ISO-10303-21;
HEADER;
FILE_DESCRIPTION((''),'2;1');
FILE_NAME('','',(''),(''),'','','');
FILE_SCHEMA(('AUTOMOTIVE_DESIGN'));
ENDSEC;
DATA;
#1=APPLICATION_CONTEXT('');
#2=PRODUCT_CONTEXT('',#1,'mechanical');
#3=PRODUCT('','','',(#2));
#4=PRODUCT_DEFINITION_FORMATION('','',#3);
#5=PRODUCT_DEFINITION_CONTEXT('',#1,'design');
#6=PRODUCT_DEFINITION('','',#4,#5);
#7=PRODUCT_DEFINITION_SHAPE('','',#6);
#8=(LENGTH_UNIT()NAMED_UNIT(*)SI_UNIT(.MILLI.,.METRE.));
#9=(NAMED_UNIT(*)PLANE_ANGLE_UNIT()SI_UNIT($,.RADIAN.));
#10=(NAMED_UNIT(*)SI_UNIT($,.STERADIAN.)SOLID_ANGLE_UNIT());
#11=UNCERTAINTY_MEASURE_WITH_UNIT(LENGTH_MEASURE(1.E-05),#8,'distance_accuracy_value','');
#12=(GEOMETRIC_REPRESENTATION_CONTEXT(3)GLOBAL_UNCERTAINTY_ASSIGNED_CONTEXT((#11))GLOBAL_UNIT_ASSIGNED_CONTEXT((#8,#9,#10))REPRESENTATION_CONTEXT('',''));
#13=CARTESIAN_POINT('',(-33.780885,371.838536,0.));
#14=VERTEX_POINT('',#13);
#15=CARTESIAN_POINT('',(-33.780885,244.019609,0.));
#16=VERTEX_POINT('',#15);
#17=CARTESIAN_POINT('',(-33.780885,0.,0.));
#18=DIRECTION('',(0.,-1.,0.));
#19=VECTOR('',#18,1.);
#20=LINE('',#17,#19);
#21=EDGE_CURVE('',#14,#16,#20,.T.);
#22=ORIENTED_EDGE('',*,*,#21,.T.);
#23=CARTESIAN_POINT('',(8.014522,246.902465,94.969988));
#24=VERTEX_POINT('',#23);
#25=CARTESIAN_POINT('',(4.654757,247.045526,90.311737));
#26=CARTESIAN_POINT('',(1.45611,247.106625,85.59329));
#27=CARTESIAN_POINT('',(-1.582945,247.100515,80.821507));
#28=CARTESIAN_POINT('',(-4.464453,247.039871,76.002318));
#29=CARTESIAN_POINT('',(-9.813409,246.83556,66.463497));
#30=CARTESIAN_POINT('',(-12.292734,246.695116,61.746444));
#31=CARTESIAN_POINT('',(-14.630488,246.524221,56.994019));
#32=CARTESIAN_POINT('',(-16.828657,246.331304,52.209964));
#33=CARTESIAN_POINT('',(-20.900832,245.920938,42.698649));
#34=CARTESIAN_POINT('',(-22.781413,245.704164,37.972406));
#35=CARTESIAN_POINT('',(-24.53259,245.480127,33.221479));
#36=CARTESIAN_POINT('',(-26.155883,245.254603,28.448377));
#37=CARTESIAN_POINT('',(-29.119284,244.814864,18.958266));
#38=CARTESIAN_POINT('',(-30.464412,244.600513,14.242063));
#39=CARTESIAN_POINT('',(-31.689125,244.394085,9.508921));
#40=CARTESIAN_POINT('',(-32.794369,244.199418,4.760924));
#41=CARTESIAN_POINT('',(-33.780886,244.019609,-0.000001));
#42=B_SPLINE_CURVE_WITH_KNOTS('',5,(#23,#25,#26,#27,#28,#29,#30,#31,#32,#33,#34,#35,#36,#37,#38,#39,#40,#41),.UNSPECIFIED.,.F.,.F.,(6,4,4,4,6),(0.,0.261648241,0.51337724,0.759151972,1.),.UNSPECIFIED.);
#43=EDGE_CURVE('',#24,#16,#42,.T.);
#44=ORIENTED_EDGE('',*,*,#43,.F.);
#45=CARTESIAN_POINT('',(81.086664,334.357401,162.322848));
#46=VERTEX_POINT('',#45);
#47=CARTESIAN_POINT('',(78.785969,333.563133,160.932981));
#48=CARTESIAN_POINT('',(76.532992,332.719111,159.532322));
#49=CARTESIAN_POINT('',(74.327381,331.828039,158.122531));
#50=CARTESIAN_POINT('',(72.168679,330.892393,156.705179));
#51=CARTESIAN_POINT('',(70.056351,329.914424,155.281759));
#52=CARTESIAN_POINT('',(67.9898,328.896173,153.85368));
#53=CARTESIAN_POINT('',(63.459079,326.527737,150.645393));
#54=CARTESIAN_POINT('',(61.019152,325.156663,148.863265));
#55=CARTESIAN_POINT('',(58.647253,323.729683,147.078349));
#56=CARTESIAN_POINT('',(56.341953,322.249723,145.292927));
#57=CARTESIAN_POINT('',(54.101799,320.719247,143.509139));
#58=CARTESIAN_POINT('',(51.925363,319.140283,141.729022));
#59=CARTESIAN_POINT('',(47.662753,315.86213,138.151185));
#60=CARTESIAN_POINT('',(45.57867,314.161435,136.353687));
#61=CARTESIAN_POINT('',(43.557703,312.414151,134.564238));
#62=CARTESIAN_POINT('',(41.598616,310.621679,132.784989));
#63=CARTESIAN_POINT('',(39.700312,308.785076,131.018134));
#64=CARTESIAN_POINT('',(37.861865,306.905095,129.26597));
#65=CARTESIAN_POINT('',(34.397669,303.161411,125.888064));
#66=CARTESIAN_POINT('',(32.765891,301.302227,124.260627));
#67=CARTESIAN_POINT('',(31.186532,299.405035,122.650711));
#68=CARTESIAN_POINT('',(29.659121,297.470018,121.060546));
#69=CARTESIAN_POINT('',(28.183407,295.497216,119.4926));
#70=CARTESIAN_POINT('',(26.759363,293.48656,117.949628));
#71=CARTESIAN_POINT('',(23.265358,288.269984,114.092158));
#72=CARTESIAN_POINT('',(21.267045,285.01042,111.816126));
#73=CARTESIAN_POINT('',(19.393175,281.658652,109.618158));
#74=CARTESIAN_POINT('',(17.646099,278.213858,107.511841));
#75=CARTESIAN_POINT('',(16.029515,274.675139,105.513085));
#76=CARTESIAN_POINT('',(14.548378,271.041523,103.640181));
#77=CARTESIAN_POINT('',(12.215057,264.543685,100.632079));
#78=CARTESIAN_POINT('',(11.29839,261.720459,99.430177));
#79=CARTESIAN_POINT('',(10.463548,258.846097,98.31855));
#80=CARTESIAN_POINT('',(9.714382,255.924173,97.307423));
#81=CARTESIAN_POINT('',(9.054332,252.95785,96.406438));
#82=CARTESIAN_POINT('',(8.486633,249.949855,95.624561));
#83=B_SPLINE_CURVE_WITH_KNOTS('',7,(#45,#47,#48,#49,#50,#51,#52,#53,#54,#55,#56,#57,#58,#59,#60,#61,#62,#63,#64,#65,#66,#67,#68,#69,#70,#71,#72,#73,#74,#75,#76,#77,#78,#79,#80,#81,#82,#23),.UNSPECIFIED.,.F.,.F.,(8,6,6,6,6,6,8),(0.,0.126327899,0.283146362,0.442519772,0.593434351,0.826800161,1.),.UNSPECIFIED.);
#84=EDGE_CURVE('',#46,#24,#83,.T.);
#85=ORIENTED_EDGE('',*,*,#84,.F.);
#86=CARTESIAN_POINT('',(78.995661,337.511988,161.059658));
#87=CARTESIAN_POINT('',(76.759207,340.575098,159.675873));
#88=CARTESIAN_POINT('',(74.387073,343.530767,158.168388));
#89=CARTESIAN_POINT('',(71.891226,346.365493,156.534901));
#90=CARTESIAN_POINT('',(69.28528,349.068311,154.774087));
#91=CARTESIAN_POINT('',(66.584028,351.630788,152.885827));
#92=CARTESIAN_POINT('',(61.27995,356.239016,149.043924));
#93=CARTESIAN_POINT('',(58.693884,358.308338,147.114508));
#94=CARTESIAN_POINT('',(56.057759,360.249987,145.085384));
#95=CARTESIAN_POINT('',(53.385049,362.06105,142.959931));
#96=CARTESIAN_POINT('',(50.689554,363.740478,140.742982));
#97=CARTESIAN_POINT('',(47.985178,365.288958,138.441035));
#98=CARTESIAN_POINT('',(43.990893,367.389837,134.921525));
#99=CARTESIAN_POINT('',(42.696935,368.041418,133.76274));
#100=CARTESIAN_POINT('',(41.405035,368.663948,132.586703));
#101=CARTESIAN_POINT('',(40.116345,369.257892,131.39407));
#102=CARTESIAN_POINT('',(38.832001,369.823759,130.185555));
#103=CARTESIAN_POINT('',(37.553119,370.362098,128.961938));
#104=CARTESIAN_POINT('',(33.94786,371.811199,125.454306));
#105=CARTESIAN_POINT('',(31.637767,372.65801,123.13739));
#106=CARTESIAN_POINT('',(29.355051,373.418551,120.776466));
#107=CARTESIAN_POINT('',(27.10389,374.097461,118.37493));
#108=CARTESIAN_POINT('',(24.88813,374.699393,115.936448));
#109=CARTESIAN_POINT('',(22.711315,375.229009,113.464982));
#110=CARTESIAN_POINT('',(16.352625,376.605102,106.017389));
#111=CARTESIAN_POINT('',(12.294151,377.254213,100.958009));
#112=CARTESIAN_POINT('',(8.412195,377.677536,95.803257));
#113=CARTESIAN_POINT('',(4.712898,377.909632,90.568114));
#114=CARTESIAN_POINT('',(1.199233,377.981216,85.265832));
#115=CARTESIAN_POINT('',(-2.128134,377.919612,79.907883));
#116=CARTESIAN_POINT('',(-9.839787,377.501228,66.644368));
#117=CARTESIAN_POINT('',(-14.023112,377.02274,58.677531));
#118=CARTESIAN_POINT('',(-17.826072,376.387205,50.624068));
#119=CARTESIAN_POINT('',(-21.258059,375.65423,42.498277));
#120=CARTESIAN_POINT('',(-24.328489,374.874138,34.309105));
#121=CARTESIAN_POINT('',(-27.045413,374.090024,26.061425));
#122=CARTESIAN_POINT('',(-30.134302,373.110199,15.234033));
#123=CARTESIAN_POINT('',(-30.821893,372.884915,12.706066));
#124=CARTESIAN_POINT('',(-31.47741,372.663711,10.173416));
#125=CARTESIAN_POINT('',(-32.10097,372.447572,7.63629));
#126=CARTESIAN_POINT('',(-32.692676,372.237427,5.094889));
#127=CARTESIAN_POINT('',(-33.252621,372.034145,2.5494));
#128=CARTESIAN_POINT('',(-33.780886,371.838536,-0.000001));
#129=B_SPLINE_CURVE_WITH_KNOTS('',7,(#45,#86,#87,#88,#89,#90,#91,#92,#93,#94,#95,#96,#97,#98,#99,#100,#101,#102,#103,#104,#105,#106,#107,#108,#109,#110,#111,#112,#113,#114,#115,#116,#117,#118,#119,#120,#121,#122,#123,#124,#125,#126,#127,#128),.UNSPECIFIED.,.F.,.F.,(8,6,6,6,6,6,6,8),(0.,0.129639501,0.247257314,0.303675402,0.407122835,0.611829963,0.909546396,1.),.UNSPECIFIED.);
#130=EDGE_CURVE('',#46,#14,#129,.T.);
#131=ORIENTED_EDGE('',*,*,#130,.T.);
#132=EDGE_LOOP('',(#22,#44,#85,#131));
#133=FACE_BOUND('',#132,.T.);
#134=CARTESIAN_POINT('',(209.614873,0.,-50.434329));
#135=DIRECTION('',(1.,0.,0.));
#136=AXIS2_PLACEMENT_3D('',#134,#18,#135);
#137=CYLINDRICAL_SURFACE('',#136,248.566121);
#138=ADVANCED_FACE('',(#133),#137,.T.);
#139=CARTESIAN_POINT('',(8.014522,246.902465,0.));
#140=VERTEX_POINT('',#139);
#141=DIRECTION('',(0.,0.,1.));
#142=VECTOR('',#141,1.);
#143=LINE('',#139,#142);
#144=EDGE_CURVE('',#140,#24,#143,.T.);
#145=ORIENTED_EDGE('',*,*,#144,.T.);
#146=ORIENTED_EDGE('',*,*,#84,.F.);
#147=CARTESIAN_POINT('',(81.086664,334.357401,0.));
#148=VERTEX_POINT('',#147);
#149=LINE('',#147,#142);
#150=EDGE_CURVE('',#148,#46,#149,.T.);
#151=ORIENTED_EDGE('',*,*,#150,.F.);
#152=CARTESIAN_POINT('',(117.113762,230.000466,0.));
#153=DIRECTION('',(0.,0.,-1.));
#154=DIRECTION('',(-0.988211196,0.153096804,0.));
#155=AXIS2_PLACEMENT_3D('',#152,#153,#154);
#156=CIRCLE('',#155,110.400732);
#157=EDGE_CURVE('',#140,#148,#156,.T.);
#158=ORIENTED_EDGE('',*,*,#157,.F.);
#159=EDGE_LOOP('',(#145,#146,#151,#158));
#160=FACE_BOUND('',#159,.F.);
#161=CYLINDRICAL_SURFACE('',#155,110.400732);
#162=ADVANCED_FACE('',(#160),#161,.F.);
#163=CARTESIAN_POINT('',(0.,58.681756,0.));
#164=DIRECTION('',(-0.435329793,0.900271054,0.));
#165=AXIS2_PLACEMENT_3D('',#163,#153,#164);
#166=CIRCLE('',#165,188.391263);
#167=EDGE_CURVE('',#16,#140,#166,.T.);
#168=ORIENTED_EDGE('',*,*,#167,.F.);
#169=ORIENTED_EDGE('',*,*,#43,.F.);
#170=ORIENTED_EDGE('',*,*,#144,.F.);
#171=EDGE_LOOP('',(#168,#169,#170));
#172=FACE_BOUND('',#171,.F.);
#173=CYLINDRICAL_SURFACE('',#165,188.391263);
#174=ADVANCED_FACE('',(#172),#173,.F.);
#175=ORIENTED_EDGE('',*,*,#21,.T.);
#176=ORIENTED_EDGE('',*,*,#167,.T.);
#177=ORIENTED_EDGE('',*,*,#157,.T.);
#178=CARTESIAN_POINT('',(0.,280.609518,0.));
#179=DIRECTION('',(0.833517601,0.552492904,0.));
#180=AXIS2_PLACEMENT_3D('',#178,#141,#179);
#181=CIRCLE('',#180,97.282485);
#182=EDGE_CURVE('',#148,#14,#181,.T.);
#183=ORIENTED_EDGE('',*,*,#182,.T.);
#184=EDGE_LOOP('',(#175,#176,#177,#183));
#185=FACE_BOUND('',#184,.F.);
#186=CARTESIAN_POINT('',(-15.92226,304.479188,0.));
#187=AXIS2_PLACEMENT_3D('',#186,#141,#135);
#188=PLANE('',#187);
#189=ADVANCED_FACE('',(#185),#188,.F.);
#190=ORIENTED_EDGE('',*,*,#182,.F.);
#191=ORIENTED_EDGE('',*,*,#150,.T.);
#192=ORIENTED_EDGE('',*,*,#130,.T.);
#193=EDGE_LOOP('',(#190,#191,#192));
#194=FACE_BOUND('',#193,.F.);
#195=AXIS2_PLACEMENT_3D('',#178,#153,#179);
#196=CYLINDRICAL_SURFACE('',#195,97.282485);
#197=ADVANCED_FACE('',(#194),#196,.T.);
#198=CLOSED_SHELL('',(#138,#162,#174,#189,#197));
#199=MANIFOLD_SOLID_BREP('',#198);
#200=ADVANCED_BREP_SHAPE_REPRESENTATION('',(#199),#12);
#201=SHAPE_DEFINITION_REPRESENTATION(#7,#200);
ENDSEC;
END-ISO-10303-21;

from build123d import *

# Parameters (mm, degrees)
F1_DEPTH = 168.3612558991
F2_R     = 248.5661214156
F3_DEPTH = 465.3762876987


with BuildPart() as f1:
    # F0 (on Top) → F1 (new body)
    with BuildSketch(Plane.XY):
        with BuildLine():
            ThreePointArc((8.0145221095, 246.9024653068), (32.3936051962, 300.7875887608), (81.0866635692, 334.3574009155))
            ThreePointArc((81.0866635692, 334.3574009155), (-53.0382414334, 362.1621199722), (-82.0123294419, 228.2849569913))
            ThreePointArc((-82.0123294419, 228.2849569913), (-38.1519563911, 243.1694146609), (8.0145221095, 246.9024653068))
        make_face()
    extrude(amount=F1_DEPTH)


with BuildPart() as f3:
    # F2 (on Front) → F3 (new body)
    with BuildSketch(Plane.XZ):
        with Locations((209.6148729324, -50.4343286157)):
            Circle(F2_R)
    extrude(amount=-F3_DEPTH)


with BuildPart() as f1_1:
    add(f1.part)

    # F4: intersect F3
    add(f3.part, mode=Mode.INTERSECT)


solid = f1_1.part
